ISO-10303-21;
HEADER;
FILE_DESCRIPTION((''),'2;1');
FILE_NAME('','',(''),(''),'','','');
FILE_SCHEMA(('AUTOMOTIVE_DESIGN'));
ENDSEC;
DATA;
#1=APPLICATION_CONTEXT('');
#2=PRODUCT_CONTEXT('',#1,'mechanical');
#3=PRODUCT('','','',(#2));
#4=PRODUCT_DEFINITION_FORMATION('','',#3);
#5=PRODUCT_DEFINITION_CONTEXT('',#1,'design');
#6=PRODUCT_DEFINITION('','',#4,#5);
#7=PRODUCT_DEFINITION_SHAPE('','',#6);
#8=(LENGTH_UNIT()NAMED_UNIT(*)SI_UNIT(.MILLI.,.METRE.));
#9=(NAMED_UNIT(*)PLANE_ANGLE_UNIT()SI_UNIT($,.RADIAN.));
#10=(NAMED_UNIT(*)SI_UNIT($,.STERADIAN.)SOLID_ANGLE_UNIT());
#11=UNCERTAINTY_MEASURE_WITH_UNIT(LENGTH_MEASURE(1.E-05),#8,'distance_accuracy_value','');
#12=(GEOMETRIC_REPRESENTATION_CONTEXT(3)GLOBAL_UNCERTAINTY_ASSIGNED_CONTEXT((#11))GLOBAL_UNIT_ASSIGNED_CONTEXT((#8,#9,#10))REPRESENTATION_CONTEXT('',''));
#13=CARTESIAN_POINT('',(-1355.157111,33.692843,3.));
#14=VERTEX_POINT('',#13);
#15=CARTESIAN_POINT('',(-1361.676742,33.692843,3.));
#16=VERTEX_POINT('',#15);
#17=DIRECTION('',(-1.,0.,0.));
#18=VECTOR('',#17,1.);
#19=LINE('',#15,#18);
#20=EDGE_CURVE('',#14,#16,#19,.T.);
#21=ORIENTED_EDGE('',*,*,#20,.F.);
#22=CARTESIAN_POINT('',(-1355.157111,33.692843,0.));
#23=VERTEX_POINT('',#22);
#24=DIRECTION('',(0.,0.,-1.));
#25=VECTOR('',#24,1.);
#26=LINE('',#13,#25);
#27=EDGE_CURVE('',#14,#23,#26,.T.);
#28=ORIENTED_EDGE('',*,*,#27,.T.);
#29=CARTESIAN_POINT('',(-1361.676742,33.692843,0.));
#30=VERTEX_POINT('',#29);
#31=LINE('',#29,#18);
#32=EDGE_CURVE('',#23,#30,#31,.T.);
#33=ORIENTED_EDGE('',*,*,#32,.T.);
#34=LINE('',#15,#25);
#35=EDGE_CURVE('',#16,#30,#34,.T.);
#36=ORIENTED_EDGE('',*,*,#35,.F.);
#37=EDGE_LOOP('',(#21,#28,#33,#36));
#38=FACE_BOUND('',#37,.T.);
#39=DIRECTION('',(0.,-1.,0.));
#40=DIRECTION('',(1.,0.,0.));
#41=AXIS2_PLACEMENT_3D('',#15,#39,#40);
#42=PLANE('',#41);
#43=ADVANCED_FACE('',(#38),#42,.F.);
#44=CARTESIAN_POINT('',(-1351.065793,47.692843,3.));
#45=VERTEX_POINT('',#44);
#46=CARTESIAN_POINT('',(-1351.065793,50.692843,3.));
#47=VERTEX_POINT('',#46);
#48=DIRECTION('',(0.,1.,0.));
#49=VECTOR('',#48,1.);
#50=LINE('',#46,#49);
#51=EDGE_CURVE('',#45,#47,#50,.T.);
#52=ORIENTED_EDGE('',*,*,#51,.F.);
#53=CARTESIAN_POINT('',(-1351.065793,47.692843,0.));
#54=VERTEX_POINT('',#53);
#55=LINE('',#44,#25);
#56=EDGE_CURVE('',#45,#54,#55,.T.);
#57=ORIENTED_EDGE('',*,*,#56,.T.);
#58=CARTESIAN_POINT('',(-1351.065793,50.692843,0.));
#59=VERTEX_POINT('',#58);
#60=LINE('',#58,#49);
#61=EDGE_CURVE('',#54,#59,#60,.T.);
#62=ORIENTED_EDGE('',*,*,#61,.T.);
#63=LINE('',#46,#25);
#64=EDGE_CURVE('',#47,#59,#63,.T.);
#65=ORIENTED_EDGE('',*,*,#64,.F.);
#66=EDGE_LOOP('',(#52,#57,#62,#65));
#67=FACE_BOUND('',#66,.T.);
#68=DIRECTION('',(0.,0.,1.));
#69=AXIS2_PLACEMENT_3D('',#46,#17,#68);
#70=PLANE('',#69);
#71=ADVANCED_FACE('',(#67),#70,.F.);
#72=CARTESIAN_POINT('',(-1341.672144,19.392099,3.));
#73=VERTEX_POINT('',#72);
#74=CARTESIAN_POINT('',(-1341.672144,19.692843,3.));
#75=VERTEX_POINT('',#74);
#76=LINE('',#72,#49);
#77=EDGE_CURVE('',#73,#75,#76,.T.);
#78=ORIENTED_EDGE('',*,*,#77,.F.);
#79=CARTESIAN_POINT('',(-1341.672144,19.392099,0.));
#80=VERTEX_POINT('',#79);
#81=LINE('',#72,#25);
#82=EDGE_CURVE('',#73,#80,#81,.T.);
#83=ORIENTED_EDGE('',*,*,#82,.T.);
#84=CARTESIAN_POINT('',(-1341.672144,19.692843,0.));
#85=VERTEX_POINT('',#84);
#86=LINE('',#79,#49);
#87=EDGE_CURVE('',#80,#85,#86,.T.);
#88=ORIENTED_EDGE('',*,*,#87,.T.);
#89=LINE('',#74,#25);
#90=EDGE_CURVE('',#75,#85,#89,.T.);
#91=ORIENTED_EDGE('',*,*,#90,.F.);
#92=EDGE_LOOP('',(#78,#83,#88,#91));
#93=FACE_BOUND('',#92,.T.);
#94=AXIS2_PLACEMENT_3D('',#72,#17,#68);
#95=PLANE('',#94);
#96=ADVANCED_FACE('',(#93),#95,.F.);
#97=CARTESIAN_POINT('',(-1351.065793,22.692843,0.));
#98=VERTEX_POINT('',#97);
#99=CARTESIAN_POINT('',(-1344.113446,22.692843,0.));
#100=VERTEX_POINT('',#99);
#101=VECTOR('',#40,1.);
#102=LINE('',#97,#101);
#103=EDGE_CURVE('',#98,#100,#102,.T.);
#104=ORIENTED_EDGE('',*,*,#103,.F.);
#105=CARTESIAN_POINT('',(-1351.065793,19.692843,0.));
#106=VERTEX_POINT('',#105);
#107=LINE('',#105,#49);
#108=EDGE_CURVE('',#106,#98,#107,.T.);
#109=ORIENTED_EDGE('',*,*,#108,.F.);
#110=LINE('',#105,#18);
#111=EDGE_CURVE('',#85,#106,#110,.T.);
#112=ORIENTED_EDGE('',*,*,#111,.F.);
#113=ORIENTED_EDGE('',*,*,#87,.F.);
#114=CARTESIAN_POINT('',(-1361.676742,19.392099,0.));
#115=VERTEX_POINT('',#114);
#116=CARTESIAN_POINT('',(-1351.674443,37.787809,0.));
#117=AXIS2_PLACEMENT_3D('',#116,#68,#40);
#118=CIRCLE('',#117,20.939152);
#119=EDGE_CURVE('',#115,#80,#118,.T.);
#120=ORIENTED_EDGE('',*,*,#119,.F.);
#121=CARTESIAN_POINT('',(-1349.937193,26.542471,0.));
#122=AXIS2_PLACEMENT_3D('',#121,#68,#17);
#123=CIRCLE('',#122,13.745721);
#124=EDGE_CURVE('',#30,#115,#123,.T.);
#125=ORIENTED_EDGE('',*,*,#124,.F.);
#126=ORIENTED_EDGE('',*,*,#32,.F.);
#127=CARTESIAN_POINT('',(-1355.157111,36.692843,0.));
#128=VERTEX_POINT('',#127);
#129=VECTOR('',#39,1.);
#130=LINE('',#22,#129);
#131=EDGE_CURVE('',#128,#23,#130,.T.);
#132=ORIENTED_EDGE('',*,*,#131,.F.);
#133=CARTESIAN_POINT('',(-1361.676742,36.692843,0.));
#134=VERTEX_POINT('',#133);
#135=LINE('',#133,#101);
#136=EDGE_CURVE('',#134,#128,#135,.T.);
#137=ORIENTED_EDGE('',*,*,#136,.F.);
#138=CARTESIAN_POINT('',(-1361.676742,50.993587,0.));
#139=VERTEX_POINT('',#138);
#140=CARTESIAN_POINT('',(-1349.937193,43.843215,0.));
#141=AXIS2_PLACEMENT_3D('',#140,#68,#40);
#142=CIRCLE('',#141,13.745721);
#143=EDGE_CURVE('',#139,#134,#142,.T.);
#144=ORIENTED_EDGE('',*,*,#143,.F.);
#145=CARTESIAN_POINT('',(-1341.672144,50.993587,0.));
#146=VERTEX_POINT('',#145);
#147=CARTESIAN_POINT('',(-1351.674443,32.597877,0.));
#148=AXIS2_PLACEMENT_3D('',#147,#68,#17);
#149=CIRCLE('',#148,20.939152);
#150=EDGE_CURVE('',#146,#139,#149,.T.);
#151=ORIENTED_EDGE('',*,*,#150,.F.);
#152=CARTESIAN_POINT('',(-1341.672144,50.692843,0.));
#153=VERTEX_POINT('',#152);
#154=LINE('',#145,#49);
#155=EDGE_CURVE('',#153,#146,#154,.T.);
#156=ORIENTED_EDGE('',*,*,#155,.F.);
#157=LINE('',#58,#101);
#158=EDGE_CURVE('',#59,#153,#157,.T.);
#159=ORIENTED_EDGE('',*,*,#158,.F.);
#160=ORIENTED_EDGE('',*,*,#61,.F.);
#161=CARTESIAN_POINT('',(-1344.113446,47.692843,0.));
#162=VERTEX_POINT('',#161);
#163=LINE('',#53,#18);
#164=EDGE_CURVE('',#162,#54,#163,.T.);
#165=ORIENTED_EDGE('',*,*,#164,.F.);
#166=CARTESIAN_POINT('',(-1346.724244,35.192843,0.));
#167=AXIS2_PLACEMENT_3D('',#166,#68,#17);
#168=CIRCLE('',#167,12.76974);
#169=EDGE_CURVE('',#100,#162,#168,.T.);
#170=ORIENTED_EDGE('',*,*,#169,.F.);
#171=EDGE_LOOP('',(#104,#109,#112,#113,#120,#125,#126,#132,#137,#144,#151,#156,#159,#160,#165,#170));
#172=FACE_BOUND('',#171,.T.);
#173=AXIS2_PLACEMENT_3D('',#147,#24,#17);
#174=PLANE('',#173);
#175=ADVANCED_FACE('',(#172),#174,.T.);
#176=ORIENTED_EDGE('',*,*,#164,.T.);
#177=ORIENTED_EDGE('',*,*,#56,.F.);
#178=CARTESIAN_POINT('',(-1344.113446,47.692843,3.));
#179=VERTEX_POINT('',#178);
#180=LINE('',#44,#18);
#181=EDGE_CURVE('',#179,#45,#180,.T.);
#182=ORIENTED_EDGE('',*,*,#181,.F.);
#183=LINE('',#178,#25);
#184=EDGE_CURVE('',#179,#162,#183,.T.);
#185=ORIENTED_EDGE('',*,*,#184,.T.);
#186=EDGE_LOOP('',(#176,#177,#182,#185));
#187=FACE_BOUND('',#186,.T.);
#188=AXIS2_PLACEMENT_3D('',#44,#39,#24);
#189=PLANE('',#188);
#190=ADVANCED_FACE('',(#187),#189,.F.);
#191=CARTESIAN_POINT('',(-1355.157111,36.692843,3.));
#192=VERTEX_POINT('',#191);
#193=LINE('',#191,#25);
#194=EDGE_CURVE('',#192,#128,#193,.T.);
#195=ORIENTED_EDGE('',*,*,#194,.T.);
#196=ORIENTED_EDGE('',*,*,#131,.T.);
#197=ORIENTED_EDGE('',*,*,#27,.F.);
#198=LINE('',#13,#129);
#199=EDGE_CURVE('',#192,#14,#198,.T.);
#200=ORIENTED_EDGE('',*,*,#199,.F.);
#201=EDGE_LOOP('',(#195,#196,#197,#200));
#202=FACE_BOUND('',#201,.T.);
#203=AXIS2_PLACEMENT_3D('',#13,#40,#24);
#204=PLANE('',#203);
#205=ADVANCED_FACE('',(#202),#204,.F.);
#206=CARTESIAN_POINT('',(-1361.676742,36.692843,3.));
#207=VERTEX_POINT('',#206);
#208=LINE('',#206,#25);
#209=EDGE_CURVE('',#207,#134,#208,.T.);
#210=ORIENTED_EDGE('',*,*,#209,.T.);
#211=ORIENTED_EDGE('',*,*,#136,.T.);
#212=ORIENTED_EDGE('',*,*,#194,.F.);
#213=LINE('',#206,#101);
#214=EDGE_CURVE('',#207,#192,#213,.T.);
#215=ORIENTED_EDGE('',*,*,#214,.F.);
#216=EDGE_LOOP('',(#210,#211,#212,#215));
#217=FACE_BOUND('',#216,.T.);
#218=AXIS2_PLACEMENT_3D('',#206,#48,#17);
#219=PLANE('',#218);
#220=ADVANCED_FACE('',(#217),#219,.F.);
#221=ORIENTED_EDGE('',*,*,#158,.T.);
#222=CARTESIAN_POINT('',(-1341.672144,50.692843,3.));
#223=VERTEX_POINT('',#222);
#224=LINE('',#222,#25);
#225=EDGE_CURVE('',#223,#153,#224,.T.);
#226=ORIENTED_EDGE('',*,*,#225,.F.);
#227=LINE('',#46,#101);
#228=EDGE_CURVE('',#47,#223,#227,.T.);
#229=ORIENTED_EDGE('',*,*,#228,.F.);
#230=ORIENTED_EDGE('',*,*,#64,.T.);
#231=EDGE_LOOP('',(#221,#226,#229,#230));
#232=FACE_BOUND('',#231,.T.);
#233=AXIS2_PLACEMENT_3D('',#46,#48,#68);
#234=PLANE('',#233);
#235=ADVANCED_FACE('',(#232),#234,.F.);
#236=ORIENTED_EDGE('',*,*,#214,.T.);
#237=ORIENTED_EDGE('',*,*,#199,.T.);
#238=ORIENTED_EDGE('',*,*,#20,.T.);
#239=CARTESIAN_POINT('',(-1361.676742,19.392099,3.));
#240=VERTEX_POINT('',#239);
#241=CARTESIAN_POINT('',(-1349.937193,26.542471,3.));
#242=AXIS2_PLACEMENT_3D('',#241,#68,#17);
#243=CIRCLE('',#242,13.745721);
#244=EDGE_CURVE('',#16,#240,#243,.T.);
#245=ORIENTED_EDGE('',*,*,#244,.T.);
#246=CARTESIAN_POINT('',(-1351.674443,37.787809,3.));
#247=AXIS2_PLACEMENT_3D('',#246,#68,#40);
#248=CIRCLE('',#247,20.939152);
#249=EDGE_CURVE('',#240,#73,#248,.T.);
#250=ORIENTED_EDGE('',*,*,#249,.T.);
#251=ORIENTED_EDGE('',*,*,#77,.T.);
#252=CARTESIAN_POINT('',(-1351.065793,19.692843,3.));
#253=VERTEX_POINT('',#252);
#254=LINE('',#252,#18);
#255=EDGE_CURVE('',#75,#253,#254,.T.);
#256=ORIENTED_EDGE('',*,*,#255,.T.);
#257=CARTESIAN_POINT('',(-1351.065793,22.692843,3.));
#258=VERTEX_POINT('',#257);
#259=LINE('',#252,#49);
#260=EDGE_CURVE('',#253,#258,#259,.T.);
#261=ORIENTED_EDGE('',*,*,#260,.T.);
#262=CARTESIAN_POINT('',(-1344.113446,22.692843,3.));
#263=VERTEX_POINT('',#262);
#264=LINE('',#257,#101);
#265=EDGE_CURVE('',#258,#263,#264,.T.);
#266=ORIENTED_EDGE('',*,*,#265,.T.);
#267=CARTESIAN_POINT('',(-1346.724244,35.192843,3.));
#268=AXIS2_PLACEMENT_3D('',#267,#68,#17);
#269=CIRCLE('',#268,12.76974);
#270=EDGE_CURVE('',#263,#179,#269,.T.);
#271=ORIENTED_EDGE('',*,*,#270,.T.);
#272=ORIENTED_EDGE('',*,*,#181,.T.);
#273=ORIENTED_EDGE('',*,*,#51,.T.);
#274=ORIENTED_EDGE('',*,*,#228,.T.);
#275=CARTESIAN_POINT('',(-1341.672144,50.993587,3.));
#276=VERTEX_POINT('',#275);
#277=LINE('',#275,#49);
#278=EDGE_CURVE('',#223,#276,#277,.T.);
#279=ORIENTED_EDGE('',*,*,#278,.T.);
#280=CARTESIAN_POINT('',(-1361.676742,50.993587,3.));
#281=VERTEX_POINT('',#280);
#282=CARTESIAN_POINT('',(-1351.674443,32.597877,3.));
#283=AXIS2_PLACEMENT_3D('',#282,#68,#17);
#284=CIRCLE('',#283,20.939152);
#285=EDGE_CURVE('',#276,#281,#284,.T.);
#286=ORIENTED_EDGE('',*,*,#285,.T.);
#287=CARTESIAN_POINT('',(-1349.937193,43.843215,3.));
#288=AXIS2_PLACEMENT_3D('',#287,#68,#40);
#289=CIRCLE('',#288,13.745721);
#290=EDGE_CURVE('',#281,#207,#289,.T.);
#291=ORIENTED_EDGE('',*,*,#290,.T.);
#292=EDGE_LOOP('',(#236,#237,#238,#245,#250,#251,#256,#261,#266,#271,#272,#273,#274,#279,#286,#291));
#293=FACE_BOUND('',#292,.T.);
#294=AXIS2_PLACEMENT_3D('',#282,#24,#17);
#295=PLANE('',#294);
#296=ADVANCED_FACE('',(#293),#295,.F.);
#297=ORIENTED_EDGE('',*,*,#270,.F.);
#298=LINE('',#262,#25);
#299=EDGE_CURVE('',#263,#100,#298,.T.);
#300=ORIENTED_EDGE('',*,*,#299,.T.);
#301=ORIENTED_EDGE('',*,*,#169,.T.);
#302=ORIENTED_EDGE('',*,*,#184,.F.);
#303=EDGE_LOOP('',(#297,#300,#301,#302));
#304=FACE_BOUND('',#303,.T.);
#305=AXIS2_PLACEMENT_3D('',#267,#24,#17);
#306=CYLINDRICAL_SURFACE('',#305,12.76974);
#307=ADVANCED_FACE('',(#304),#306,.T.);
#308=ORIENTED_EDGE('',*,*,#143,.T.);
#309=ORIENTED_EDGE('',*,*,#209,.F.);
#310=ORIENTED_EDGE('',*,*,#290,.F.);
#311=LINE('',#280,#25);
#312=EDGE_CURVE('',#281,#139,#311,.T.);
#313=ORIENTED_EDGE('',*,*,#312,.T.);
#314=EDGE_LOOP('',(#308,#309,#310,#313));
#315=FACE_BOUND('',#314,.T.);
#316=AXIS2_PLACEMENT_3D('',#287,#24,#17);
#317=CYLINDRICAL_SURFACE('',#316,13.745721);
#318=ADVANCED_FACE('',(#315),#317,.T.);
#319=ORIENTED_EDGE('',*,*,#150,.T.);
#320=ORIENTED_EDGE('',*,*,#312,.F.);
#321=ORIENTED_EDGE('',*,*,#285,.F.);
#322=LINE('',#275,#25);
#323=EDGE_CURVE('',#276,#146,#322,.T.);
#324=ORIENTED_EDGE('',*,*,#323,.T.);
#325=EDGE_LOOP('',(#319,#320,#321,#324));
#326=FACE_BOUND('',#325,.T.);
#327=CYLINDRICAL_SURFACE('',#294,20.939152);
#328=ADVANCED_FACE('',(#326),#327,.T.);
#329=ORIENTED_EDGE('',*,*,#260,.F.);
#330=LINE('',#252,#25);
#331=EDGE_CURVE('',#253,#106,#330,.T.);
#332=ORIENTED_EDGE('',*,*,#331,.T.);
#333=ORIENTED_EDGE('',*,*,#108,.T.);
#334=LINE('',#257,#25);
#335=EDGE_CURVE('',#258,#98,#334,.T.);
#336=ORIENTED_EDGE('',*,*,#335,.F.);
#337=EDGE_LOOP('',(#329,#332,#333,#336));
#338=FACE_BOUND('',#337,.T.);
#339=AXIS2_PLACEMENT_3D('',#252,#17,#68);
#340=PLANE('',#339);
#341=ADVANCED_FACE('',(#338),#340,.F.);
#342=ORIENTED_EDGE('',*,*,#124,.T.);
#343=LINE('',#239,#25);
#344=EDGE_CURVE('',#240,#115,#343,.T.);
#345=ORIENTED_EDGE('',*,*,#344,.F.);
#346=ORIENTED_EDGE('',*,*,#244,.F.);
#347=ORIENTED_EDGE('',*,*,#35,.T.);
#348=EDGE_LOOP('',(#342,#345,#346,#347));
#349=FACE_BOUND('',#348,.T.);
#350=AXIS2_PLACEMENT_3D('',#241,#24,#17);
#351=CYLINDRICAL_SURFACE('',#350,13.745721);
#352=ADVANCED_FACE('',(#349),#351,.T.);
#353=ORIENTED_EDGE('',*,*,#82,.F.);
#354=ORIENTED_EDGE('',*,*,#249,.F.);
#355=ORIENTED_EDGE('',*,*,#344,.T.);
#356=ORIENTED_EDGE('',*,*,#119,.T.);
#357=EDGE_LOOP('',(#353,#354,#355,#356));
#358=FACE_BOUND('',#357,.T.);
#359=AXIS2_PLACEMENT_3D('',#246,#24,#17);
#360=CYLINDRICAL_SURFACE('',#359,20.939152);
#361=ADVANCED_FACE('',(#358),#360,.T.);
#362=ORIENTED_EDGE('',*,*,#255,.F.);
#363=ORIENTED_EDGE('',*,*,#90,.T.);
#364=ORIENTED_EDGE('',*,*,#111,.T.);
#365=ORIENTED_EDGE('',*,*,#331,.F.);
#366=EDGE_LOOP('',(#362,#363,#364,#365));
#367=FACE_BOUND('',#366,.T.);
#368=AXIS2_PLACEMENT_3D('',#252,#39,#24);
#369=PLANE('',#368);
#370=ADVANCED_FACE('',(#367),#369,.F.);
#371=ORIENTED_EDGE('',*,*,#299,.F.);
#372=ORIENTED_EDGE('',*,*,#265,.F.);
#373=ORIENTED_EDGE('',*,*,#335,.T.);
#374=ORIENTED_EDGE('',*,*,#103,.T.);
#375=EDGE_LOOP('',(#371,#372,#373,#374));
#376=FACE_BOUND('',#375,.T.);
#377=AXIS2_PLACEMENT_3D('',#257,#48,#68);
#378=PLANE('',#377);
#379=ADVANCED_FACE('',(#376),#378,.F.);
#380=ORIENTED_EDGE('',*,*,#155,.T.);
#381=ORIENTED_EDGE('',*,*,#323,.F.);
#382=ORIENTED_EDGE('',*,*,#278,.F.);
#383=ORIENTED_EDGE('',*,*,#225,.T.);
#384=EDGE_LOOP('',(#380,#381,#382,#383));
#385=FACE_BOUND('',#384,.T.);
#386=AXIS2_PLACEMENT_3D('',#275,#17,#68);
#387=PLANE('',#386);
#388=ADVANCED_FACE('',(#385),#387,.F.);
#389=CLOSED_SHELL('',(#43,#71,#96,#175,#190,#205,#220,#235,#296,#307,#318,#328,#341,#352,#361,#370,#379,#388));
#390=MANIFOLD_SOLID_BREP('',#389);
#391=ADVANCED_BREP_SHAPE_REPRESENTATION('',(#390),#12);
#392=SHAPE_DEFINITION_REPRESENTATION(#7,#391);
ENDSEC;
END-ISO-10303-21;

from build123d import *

# Parameters (mm, degrees)
BASE_EXTRUDE_DEPTH = 3


with BuildPart() as part:
    # Sketch1 → Base-Extrude (new body)
    with BuildSketch(Plane.XY):
        with BuildLine():
            Line((-1361.676742431, 33.692843094), (-1355.157111394, 33.692843094))
            Line((-1355.157111394, 33.692843094), (-1355.157111394, 36.692843094))
            Line((-1355.157111394, 36.692843094), (-1361.676742431, 36.692843094))
            ThreePointArc((-1361.676742431, 36.692843094), (-1363.682913665, 43.843214905), (-1361.676742431, 50.993586716))
            ThreePointArc((-1361.676742431, 50.993586716), (-1351.674443371, 53.537029915), (-1341.672144311, 50.993586716))
            Line((-1341.672144311, 50.993586716), (-1341.672144311, 50.692843094))
            Line((-1341.672144311, 50.692843094), (-1351.065792881, 50.692843094))
            Line((-1351.065792881, 50.692843094), (-1351.065792881, 47.692843094))
            Line((-1351.065792881, 47.692843094), (-1344.113445951, 47.692843094))
            ThreePointArc((-1344.113445951, 47.692843094), (-1333.95450385, 35.192843094), (-1344.113445951, 22.692843094))
            Line((-1344.113445951, 22.692843094), (-1351.065792881, 22.692843094))
            Line((-1351.065792881, 22.692843094), (-1351.065792881, 19.692843094))
            Line((-1351.065792881, 19.692843094), (-1341.672144311, 19.692843094))
            Line((-1341.672144311, 19.692843094), (-1341.672144311, 19.392099471))
            ThreePointArc((-1341.672144311, 19.392099471), (-1351.674443371, 16.848656272), (-1361.676742431, 19.392099471))
            ThreePointArc((-1361.676742431, 19.392099471), (-1363.682913665, 26.542471282), (-1361.676742431, 33.692843094))
        make_face()
    extrude(amount=BASE_EXTRUDE_DEPTH)


solid = part.part
